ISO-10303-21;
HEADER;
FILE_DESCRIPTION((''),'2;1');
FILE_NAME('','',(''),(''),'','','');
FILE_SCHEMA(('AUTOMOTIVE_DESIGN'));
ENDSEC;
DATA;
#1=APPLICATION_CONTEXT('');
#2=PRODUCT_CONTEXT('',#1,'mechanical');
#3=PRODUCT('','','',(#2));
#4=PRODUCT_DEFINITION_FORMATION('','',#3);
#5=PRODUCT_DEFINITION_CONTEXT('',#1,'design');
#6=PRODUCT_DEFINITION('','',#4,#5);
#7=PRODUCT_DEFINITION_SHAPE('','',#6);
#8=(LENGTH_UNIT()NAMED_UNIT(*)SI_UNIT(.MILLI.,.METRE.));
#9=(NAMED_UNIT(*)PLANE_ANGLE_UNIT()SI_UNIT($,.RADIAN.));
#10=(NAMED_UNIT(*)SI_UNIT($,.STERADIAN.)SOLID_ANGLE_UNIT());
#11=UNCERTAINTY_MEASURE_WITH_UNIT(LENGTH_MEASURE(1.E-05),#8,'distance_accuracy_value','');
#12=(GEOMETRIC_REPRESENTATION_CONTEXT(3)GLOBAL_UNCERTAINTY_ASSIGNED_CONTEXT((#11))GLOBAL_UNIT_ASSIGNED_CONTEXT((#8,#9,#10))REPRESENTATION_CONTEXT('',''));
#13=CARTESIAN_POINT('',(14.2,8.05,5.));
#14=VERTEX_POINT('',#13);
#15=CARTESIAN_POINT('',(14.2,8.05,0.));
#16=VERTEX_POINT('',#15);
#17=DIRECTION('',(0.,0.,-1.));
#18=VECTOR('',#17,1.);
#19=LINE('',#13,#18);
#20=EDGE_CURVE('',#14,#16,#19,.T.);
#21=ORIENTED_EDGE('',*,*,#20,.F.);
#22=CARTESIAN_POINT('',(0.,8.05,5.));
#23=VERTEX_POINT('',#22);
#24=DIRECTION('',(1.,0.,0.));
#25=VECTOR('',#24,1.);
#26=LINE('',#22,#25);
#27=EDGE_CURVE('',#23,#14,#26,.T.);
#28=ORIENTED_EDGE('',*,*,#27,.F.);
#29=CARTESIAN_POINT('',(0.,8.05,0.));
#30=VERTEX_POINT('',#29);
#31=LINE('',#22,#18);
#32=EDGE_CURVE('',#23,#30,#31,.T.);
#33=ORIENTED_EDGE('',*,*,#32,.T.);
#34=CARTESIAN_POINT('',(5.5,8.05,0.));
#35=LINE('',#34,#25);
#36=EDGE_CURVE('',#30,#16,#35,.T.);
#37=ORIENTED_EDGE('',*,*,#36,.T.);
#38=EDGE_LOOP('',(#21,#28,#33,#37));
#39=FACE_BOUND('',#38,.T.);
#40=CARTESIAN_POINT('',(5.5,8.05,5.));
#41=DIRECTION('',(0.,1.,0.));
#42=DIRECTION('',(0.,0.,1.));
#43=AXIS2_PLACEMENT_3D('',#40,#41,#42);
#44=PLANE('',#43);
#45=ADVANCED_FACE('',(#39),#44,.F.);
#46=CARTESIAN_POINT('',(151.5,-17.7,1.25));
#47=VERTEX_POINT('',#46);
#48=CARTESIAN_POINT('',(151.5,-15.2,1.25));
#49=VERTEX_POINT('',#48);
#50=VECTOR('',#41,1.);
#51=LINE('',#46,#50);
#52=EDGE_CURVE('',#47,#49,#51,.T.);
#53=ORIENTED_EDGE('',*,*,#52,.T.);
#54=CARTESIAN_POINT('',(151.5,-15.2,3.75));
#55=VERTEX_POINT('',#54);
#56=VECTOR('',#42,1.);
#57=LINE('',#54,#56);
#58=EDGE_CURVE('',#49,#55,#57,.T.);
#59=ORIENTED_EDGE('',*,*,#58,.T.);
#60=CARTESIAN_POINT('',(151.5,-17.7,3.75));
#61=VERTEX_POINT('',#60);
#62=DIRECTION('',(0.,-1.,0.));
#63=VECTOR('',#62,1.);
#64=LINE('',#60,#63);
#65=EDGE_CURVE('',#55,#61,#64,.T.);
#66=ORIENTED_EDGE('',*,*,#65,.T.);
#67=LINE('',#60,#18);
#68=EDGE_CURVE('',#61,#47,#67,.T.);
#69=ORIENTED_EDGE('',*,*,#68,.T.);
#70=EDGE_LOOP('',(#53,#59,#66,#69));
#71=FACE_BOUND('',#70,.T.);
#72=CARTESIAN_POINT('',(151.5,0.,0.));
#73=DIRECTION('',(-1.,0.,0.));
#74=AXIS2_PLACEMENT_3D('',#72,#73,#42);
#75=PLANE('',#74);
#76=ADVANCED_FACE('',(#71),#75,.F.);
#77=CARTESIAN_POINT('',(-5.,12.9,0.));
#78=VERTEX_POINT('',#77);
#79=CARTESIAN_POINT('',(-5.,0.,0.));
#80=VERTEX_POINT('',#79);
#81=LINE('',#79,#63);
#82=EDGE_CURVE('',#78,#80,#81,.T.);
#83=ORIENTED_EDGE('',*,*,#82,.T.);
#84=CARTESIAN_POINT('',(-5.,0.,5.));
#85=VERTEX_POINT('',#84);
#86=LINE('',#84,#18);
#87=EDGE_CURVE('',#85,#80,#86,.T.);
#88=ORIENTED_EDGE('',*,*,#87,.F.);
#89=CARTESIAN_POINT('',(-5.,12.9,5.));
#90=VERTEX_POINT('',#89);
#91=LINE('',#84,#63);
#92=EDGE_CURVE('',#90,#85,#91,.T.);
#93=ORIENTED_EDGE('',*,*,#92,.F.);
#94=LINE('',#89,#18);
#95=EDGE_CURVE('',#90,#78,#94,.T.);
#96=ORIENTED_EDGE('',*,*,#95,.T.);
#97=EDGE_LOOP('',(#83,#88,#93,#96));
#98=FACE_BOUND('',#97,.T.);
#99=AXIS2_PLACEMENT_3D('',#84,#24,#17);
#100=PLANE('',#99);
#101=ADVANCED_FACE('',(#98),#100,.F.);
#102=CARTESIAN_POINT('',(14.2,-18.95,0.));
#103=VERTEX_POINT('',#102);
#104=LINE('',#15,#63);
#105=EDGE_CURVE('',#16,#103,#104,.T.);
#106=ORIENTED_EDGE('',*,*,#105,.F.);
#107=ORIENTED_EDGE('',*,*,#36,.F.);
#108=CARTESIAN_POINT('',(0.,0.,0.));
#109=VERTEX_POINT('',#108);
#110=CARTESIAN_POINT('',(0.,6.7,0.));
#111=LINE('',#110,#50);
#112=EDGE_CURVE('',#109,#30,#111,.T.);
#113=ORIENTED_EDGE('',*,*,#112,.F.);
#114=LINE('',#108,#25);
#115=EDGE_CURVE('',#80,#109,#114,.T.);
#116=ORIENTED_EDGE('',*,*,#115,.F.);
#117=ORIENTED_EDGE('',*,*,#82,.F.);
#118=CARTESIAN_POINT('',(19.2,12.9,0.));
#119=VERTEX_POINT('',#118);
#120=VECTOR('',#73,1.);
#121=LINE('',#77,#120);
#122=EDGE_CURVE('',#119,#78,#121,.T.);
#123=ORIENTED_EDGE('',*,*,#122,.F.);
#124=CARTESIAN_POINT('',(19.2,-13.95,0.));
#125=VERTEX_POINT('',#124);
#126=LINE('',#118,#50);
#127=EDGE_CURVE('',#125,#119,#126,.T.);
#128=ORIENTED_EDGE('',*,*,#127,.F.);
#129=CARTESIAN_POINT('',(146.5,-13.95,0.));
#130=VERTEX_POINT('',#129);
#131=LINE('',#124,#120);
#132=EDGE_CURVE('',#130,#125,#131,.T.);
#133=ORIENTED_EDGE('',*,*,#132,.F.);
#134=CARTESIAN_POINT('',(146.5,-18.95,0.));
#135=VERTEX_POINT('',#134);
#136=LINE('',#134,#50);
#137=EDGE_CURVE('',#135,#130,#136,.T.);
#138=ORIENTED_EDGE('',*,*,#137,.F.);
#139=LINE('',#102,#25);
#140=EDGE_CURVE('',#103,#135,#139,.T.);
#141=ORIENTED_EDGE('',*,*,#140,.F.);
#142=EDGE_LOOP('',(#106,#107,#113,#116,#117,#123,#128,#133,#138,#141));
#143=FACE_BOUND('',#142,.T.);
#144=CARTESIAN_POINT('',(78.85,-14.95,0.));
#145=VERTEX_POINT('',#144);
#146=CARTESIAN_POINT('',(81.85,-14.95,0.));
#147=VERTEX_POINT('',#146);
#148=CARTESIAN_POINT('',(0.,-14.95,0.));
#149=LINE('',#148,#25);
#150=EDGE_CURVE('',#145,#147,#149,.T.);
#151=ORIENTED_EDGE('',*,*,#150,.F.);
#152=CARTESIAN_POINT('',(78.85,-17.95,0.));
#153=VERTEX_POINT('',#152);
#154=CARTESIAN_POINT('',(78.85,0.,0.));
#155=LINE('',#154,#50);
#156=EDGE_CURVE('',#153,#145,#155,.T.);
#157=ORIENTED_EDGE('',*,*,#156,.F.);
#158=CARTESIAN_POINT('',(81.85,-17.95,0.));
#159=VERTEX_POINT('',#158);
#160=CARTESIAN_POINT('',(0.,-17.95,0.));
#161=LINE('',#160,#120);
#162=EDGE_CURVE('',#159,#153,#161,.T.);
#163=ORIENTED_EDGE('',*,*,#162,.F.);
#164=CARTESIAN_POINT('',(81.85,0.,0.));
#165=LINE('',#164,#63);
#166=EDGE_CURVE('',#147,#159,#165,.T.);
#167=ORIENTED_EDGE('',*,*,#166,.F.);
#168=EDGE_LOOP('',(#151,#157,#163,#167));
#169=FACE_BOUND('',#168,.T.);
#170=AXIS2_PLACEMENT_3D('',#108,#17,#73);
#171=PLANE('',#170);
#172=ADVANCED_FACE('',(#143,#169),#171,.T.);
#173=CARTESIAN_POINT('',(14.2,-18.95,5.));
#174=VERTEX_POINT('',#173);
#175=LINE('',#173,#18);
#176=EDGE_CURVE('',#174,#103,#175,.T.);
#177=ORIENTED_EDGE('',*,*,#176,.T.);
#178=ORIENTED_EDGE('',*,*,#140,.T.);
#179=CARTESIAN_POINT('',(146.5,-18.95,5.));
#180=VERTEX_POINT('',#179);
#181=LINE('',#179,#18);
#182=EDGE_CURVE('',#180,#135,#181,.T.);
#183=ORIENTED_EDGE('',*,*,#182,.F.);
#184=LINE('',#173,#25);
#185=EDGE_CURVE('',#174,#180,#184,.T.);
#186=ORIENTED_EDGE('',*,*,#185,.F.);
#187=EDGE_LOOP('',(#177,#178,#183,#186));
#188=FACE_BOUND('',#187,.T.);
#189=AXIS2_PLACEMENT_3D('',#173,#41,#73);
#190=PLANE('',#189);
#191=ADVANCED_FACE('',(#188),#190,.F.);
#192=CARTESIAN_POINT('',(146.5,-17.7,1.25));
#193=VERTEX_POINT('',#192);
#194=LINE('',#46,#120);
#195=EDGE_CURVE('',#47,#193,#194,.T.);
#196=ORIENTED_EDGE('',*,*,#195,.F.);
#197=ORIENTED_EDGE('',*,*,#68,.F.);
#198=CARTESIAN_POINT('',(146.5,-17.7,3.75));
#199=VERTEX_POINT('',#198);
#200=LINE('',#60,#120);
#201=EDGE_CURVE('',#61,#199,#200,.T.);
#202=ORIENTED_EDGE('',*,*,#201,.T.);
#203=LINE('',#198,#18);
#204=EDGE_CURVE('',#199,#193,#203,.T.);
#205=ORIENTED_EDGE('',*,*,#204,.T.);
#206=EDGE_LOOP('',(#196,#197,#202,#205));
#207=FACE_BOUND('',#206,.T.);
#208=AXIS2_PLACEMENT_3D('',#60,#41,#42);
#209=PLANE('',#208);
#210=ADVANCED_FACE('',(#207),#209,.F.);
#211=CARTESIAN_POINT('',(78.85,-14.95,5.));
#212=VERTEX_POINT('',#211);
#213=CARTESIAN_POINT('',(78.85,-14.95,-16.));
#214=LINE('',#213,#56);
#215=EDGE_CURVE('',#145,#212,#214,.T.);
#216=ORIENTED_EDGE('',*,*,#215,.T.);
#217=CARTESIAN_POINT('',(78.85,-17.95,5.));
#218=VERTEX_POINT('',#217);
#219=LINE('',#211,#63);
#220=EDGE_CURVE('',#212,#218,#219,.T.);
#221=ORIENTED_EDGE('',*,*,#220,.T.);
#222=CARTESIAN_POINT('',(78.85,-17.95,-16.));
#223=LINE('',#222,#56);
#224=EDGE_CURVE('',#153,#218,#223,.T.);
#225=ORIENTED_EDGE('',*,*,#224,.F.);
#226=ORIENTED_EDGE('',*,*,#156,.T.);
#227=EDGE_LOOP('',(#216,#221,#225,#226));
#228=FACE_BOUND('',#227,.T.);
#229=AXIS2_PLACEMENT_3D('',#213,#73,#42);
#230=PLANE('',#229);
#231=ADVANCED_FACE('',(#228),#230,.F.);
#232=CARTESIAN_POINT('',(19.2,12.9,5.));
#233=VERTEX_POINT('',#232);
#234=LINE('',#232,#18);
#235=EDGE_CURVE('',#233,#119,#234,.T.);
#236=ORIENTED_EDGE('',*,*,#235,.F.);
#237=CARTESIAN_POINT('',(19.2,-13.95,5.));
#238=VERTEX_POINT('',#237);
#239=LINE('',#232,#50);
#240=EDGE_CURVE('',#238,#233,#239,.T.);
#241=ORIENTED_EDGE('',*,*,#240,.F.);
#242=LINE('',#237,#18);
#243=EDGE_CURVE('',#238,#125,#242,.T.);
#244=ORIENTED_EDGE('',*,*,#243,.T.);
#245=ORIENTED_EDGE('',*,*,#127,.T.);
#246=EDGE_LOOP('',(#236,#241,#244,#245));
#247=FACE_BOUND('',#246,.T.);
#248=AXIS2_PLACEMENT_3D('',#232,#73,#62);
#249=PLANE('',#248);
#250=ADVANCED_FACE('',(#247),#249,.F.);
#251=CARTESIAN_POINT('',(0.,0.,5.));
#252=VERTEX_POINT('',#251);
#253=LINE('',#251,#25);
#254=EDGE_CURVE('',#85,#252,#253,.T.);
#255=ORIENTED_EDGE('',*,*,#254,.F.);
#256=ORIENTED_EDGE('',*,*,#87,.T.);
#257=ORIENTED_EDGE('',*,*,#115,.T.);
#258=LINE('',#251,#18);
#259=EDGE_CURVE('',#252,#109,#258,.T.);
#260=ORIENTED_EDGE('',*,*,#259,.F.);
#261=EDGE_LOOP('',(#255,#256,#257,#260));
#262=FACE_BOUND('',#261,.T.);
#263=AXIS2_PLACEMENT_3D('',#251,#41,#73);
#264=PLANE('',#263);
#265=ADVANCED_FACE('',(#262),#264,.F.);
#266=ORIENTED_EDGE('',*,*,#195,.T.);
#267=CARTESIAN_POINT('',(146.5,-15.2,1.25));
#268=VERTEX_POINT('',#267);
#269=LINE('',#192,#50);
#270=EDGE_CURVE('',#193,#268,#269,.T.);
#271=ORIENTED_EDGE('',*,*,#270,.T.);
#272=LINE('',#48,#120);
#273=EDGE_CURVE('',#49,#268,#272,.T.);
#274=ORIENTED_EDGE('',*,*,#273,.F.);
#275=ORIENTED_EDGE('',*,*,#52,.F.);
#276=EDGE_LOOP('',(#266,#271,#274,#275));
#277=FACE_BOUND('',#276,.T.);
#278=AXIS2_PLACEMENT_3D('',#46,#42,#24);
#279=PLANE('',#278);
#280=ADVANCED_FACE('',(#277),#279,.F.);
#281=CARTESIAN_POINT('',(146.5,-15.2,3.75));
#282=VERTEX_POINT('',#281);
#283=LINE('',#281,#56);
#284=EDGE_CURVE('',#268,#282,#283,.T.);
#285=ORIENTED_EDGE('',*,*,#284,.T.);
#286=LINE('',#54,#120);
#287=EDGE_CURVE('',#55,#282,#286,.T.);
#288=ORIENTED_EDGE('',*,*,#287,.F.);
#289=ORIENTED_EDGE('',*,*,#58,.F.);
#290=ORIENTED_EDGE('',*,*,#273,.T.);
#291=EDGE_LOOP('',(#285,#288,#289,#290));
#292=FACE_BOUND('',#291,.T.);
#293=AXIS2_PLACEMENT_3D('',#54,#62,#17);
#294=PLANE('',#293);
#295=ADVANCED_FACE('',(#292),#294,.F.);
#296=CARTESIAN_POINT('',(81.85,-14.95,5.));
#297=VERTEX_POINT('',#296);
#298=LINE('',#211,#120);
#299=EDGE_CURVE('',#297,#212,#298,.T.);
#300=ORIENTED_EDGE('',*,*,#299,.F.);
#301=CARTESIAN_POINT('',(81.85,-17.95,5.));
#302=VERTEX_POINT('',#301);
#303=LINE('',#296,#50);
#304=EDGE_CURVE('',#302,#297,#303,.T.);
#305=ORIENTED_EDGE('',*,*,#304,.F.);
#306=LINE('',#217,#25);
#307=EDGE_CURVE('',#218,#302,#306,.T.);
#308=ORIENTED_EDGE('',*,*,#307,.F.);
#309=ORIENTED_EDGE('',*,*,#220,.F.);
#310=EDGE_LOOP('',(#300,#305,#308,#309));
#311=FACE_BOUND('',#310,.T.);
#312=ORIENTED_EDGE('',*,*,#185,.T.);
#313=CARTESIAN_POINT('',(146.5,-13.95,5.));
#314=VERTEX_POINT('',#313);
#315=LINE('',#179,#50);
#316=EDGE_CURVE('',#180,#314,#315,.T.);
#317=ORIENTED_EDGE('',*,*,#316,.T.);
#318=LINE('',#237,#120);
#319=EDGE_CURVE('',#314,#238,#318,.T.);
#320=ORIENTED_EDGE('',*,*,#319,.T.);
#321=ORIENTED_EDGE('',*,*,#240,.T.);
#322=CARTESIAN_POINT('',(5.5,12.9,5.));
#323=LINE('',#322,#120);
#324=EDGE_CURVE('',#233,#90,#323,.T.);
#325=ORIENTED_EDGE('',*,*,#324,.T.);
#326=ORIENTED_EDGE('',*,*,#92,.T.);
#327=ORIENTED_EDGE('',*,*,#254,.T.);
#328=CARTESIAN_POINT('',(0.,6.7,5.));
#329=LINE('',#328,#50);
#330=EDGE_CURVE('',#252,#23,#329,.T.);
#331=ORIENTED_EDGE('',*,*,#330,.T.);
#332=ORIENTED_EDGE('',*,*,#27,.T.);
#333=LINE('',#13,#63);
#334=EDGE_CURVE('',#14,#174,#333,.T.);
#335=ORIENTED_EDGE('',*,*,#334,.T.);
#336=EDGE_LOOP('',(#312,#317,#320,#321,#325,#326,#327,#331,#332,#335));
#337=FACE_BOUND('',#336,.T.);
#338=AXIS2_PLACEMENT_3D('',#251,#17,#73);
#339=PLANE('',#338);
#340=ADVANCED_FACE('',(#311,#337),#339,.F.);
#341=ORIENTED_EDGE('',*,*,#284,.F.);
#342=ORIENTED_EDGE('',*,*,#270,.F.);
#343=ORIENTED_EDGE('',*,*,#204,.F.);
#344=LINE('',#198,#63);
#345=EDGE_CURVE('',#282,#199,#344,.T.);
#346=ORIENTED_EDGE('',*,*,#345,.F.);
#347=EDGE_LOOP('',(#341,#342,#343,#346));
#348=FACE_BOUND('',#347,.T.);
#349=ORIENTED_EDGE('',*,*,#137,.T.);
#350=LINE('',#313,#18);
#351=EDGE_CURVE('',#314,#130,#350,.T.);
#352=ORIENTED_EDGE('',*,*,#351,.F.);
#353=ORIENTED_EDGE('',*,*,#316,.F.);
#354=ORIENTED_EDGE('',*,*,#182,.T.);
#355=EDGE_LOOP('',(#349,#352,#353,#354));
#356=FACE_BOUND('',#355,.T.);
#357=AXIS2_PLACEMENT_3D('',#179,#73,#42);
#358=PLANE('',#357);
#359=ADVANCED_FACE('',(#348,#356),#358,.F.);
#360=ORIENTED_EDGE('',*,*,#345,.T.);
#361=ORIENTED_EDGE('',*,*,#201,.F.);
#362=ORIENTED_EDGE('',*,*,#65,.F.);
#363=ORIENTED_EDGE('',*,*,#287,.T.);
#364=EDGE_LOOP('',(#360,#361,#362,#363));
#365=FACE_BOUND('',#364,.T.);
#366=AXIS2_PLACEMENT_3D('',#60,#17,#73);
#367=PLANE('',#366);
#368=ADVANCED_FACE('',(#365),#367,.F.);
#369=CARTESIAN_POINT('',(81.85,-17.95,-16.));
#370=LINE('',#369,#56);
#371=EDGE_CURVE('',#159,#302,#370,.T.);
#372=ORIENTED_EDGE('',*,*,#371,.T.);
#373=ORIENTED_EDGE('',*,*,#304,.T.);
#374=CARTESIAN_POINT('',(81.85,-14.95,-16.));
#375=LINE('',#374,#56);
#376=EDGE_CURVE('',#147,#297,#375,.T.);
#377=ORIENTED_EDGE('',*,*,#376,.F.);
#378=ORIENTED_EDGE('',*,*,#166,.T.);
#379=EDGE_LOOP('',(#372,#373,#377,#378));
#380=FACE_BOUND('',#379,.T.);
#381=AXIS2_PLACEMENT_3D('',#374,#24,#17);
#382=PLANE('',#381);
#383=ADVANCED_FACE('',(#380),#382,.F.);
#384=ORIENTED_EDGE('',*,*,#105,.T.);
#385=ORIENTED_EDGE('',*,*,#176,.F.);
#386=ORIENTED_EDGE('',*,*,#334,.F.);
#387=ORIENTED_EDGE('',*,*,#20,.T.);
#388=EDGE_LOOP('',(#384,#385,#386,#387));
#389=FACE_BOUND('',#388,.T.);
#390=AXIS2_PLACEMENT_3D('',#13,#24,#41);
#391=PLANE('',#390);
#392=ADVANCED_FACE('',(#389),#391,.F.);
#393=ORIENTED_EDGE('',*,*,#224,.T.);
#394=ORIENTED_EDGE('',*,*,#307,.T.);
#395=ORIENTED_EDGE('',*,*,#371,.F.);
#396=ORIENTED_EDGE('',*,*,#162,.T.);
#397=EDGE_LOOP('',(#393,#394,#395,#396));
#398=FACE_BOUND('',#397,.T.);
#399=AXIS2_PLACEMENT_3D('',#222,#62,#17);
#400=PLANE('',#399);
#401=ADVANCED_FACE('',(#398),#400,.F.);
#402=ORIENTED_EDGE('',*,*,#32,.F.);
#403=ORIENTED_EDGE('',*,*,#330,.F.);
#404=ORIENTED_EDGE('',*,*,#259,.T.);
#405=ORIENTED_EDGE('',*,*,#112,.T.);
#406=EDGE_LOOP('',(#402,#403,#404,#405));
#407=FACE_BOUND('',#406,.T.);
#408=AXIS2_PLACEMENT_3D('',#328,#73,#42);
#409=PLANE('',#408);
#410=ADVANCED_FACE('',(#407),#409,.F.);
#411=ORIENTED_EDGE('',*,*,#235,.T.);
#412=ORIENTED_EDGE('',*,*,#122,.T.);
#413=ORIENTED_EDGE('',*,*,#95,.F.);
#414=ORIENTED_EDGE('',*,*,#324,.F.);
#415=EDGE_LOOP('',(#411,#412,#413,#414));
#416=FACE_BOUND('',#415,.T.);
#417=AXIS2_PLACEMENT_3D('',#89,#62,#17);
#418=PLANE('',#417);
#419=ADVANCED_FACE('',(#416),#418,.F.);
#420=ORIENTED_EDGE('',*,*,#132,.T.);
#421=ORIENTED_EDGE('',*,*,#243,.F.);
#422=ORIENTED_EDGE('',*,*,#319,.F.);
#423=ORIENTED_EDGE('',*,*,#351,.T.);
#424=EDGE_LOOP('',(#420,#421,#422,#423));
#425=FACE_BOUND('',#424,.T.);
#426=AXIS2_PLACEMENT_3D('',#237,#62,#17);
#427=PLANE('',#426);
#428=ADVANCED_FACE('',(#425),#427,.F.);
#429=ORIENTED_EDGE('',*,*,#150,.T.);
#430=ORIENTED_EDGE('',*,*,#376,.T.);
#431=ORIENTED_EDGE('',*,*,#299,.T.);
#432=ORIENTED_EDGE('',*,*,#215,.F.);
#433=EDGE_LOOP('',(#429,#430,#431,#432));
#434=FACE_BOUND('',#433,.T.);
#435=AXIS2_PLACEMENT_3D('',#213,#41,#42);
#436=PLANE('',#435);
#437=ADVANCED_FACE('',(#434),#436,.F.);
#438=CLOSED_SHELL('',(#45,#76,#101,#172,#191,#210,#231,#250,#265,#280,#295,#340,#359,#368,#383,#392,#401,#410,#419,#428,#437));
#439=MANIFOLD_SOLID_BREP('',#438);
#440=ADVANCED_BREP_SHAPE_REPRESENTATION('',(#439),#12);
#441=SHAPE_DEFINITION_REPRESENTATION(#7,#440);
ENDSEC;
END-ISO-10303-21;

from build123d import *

# Parameters (mm, degrees)
BOSS_EXTRUDE1_DEPTH = 5
SKETCH2_W           = 2.5
SKETCH2_H           = 2.5
BOSS_EXTRUDE2_DEPTH = 5
SKETCH3_W           = 3
SKETCH3_H           = 3
CUT_EXTRUDE1_DEPTH  = 21


with BuildPart() as part:
    # Sketch1 → Boss-Extrude1 (new body)
    with BuildSketch(Plane.XY):
        Polygon((0, 6.7), (0, 8.05), (5.5, 8.05), (14.2, 8.05), (14.2, -18.95), (146.5, -18.95), (146.5, -13.95), (19.2, -13.95), (19.2, 12.9), (5.5, 12.9), (-5, 12.9), (-5, 0), (0, 0), align=None)
    extrude(amount=BOSS_EXTRUDE1_DEPTH)

    # Sketch2 → Boss-Extrude2 (add)
    with BuildSketch(Plane(origin=(146.5, 0, 0), x_dir=(0, 0, -1), z_dir=(1, 0, 0))):
        with Locations((-2.5, -16.45)):
            Rectangle(SKETCH2_W, SKETCH2_H)
    extrude(amount=BOSS_EXTRUDE2_DEPTH)

    # Sketch3 → Cut-Extrude1 (cut)
    with BuildSketch(Plane.XY.offset(5)):
        with Locations((80.35, -16.45)):
            Rectangle(SKETCH3_W, SKETCH3_H)
    extrude(amount=-CUT_EXTRUDE1_DEPTH, mode=Mode.SUBTRACT)


solid = part.part
